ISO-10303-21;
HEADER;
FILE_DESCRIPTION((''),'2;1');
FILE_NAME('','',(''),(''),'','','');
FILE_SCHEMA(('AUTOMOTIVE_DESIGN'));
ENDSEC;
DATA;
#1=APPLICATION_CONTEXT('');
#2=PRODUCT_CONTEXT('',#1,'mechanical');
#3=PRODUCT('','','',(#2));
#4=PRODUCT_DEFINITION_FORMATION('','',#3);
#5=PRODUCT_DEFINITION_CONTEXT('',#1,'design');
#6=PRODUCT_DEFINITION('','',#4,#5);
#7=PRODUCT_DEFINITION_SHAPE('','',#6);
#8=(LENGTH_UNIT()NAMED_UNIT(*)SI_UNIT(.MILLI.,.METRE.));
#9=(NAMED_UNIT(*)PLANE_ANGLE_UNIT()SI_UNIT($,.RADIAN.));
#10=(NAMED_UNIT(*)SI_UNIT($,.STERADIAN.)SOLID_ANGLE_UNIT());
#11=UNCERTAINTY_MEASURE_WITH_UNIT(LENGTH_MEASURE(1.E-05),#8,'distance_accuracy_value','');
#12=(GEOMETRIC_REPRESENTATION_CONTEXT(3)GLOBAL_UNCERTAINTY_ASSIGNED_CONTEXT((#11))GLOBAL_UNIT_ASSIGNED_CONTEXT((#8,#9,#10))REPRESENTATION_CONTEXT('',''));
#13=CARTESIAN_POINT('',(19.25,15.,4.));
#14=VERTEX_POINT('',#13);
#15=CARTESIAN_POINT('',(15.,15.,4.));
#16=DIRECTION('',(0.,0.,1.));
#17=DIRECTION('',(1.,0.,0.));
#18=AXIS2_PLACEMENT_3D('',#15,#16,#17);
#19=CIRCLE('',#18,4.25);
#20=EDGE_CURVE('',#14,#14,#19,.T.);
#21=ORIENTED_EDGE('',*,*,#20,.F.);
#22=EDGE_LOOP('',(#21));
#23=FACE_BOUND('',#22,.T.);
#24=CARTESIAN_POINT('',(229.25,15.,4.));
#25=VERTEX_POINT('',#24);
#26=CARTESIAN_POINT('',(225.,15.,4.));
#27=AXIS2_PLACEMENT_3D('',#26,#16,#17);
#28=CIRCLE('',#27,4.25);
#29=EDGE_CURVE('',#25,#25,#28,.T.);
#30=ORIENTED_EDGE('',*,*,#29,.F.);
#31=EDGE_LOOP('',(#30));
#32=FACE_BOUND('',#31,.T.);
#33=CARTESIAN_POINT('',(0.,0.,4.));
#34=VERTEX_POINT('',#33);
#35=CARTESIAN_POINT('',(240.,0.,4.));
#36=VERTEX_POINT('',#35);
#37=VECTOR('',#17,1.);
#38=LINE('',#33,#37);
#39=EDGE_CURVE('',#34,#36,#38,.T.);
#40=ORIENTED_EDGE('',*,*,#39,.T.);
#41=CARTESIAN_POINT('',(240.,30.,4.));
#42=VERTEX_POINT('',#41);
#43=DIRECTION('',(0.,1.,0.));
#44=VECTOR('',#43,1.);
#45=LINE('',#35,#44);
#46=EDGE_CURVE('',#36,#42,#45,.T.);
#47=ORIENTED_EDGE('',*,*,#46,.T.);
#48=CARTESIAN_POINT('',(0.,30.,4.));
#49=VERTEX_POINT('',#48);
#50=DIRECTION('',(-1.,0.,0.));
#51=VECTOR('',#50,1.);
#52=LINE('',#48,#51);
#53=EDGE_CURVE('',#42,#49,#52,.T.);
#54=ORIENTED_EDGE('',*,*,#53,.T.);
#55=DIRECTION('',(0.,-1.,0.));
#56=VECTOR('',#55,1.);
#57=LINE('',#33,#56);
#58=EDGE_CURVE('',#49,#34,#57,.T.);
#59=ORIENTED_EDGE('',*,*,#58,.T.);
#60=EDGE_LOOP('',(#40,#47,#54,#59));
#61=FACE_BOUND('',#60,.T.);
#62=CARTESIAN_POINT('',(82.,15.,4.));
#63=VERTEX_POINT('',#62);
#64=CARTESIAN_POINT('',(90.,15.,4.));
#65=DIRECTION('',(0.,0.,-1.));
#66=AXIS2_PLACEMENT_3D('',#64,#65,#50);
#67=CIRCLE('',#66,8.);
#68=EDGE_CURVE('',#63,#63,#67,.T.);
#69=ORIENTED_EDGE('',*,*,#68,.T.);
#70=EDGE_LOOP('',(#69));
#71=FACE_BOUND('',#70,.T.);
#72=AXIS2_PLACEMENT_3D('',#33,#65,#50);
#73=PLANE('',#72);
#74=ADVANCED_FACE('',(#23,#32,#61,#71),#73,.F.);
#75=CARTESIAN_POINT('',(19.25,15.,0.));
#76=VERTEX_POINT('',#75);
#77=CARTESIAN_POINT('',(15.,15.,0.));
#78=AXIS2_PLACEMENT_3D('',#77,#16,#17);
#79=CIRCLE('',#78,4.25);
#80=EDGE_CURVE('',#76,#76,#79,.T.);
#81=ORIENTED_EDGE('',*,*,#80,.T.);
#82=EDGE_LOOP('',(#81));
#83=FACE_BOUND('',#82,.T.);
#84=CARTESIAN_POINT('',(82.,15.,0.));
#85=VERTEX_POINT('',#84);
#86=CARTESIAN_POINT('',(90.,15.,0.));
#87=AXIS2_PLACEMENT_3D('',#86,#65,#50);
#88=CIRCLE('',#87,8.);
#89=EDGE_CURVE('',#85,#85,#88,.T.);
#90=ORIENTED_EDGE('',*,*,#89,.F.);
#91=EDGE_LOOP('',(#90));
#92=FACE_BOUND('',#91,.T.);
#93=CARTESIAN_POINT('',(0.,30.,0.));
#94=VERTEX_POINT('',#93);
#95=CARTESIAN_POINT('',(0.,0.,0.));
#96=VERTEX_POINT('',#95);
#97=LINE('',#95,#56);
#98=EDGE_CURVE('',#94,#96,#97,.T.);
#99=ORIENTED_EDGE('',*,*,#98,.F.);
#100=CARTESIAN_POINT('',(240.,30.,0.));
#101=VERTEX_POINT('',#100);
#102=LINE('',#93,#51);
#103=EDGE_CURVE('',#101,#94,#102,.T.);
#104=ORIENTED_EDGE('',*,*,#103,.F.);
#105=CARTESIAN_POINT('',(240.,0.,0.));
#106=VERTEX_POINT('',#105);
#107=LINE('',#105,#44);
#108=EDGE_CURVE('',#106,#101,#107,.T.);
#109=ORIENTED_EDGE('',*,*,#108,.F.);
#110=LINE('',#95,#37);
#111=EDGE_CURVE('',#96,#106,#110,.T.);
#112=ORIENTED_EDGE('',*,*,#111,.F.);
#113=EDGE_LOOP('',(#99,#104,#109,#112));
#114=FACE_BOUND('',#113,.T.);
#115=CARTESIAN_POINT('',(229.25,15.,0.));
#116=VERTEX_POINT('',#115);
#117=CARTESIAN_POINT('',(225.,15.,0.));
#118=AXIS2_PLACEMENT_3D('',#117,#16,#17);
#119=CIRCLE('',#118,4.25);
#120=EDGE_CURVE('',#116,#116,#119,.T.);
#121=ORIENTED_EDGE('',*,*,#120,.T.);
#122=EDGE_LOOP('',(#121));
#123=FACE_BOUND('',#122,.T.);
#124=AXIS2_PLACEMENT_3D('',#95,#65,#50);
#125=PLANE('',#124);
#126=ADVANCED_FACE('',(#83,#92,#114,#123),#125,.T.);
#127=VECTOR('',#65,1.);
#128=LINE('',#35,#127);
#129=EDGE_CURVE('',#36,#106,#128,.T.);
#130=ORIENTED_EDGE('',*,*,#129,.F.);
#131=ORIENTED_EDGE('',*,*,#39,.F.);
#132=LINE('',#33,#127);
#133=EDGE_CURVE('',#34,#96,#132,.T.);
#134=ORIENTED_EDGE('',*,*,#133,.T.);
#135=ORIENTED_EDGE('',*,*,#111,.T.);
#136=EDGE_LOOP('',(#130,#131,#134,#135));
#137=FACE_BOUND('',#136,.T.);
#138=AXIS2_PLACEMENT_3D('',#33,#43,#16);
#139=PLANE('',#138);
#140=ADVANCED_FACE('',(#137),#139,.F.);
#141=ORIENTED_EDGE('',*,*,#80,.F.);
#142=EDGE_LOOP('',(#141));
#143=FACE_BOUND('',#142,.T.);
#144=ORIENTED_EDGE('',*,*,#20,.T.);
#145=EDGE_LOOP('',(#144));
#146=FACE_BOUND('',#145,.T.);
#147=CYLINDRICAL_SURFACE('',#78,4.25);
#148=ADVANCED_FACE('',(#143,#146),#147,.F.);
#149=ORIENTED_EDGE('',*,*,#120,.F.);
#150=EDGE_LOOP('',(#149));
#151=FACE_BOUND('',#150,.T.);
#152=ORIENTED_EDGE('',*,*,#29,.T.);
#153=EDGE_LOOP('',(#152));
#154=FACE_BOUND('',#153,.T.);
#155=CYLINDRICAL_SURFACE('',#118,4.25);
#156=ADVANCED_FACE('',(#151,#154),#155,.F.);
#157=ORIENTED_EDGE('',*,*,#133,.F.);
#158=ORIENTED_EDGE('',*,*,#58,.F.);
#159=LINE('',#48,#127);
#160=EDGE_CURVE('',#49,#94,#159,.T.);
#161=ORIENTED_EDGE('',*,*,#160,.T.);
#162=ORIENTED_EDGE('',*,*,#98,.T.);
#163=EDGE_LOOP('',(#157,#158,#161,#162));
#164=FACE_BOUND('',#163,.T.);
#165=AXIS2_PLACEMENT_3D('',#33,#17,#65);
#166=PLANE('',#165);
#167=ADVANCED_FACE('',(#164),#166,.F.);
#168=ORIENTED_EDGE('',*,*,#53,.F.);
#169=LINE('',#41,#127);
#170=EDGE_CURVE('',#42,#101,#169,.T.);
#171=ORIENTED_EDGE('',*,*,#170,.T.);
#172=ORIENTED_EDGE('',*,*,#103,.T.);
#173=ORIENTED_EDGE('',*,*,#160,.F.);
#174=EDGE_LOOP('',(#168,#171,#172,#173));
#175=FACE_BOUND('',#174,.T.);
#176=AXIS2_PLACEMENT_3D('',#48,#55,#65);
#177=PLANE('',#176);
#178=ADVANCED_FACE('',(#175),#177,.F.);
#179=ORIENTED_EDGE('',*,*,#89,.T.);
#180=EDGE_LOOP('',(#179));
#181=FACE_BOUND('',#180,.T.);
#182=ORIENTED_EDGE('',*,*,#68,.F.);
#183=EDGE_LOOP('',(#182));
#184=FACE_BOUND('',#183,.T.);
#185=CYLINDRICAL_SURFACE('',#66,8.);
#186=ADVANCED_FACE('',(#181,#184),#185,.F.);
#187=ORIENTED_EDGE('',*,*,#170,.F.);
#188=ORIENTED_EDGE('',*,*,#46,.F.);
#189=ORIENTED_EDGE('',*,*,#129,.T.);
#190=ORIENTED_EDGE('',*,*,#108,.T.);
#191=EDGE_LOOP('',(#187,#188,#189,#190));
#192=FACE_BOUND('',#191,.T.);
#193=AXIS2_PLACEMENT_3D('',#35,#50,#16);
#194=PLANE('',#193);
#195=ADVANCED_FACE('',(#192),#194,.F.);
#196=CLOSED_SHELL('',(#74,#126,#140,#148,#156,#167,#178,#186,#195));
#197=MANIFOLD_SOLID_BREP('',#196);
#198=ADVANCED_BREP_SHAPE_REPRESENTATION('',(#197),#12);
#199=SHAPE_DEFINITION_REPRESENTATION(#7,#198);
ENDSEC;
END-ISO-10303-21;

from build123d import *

# Parameters (mm, degrees)
SKETCH1_W           = 240
SKETCH1_H           = 30
BOSS_EXTRUDE1_DEPTH = 4
SKETCH2_R           = 4.25
CUT_EXTRUDE1_DEPTH  = 242.900806117
SKETCH3_R           = 8
CUT_EXTRUDE2_DEPTH  = 242.900806117


with BuildPart() as part:
    # Sketch1 → Boss-Extrude1 (new body)
    with BuildSketch(Plane.XY):
        with Locations((120, 15)):
            Rectangle(SKETCH1_W, SKETCH1_H)
    extrude(amount=BOSS_EXTRUDE1_DEPTH)

    # Sketch2 → Cut-Extrude1 (cut, through all)
    with BuildSketch(Plane.XY.offset(4)):
        with Locations((225, 15)):
            Circle(SKETCH2_R)
        with Locations((15, 15)):
            Circle(SKETCH2_R)
    extrude(amount=-CUT_EXTRUDE1_DEPTH, mode=Mode.SUBTRACT)

    # Sketch3 → Cut-Extrude2 (cut, through all)
    with BuildSketch(Plane(origin=(0, 0, 0), x_dir=(-1, 0, 0), z_dir=(0, 0, -1))):
        with Locations((-90, 15)):
            Circle(SKETCH3_R)
    extrude(amount=-CUT_EXTRUDE2_DEPTH, mode=Mode.SUBTRACT)


solid = part.part
